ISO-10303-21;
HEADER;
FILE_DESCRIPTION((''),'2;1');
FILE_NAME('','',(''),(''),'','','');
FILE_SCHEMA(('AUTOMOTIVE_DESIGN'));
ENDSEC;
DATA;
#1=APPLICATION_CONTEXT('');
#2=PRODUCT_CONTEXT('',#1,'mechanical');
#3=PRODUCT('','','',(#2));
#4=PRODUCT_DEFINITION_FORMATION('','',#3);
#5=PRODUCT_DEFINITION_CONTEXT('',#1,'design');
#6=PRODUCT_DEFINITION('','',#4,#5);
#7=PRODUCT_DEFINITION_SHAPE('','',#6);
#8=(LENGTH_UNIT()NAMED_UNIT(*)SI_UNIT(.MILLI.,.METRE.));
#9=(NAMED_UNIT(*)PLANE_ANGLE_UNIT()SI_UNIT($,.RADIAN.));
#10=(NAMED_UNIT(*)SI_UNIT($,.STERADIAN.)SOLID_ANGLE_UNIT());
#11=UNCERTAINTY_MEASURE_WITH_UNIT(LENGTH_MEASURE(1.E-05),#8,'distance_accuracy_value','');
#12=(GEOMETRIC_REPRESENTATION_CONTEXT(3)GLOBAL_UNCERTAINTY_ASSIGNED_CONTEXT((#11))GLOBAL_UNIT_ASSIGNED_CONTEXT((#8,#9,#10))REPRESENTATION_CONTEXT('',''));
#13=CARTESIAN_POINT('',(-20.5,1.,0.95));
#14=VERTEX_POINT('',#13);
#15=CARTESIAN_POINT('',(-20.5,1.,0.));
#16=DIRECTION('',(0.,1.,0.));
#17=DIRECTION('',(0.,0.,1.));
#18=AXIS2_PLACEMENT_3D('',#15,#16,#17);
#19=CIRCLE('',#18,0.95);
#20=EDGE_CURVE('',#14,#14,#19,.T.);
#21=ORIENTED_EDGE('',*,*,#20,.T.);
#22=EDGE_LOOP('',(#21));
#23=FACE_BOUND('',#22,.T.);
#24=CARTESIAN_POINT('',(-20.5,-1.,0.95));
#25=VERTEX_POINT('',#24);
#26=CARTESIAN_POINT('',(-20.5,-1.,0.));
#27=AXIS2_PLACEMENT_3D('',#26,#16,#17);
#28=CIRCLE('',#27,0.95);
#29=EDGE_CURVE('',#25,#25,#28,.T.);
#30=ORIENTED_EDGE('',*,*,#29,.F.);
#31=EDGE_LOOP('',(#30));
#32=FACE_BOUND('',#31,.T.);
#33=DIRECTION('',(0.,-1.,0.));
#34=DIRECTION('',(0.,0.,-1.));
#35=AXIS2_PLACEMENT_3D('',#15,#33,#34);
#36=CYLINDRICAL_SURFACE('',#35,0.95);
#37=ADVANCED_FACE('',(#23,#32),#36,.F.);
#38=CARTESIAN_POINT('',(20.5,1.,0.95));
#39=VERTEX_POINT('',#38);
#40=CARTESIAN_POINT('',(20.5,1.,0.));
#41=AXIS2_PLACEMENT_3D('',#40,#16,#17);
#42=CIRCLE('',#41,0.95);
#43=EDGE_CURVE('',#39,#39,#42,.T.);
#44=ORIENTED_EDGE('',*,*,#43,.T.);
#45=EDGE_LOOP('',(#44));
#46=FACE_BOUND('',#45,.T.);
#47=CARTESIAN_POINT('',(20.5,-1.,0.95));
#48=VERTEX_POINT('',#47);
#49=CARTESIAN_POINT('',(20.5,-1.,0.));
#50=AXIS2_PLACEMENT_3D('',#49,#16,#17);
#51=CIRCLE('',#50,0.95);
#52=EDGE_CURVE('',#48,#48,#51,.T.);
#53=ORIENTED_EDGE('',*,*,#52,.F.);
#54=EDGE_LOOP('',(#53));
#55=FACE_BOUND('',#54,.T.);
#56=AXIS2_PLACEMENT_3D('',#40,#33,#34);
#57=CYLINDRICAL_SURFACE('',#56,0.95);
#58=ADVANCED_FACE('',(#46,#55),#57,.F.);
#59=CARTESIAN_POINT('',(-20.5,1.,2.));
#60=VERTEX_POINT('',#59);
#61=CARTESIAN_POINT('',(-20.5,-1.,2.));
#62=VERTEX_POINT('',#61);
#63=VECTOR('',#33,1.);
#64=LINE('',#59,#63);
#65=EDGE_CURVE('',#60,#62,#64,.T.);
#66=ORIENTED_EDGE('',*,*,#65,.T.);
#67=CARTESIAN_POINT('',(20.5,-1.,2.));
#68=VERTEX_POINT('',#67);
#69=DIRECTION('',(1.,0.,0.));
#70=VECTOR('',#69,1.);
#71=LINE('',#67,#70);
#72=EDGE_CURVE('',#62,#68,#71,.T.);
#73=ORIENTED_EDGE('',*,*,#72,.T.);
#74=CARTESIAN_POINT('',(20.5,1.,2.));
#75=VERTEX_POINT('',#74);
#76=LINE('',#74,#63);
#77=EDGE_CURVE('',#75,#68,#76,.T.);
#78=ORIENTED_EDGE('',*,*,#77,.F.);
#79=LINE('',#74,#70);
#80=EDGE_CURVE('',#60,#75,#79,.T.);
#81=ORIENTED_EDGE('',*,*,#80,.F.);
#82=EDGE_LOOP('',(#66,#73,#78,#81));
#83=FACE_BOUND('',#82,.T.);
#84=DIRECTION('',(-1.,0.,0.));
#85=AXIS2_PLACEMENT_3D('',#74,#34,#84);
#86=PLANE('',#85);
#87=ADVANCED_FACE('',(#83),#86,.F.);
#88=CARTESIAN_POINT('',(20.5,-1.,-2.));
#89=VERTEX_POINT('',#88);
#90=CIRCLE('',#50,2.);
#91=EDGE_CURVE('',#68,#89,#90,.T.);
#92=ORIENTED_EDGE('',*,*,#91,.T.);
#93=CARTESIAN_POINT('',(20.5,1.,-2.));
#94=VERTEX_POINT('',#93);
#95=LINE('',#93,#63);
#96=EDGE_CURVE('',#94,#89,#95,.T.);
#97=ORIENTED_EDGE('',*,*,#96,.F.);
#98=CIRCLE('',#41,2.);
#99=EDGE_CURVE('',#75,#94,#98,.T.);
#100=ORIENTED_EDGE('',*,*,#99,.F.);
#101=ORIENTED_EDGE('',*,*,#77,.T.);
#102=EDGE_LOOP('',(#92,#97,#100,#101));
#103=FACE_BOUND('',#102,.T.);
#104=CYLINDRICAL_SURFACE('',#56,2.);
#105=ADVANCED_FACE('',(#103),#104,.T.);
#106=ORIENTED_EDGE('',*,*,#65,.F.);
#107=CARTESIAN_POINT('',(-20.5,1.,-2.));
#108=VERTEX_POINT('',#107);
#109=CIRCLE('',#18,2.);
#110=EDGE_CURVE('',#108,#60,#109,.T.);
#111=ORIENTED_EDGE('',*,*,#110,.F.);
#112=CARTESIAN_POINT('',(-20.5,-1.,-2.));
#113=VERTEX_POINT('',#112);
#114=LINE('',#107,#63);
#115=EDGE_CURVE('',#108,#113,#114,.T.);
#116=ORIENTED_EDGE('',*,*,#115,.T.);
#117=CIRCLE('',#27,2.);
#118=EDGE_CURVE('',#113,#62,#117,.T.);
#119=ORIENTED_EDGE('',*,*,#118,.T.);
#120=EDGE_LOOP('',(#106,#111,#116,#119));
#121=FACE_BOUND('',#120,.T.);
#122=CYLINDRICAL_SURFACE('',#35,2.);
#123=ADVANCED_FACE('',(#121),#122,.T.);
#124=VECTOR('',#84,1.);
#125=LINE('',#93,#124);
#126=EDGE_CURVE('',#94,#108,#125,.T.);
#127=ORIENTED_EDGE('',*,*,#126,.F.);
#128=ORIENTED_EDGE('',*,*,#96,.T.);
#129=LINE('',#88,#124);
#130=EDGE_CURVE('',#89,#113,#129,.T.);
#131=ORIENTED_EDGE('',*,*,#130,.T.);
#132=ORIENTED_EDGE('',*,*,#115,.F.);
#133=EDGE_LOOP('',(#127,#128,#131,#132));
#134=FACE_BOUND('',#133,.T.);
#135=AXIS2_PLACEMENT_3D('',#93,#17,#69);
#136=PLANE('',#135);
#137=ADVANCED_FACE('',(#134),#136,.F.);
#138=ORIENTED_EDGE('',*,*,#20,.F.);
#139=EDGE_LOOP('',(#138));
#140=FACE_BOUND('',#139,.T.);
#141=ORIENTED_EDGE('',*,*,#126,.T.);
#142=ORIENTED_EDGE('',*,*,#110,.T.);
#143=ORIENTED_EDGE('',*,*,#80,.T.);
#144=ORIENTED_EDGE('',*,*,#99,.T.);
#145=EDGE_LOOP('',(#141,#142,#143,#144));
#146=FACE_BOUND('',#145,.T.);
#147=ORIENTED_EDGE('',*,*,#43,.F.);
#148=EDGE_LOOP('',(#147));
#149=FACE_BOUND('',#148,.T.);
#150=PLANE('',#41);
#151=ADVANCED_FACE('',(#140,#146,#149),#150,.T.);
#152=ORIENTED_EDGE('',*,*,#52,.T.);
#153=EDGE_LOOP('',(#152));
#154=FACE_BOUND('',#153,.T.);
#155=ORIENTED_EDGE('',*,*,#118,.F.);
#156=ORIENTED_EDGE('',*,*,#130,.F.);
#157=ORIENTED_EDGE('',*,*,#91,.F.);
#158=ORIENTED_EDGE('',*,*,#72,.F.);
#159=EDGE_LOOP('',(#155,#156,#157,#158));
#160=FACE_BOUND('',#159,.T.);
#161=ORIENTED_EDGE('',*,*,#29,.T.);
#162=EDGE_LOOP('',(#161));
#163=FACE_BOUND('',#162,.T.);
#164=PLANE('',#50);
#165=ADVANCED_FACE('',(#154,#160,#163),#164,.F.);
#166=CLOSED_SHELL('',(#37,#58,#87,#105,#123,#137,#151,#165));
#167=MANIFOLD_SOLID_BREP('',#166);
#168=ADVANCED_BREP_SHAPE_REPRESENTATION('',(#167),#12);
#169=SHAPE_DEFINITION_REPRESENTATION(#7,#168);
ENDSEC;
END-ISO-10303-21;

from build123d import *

# Parameters (mm, degrees)
SKETCH2_R           = 0.95
BOSS_EXTRUDE1_DEPTH = 1


with BuildPart() as part:
    # Sketch2 → Boss-Extrude1 (new, symmetric)
    with BuildSketch(Plane(origin=(0, 0, 0), x_dir=(1, 0, 0), z_dir=(0, 1, 0))):
        with BuildLine():
            Line((20.5, -2), (-20.5, -2))
            ThreePointArc((-20.5, -2), (-22.5, 0), (-20.5, 2))
            Line((-20.5, 2), (20.5, 2))
            ThreePointArc((20.5, 2), (22.5, 0), (20.5, -2))
        make_face()
        with Locations(Location((-20.5, 0, 0), (0, 0, 270))):
            Circle(SKETCH2_R, mode=Mode.SUBTRACT)
        with Locations(Location((20.5, 0, 0), (0, 0, 270))):
            Circle(SKETCH2_R, mode=Mode.SUBTRACT)
    extrude(amount=BOSS_EXTRUDE1_DEPTH, both=True)


solid = part.part
